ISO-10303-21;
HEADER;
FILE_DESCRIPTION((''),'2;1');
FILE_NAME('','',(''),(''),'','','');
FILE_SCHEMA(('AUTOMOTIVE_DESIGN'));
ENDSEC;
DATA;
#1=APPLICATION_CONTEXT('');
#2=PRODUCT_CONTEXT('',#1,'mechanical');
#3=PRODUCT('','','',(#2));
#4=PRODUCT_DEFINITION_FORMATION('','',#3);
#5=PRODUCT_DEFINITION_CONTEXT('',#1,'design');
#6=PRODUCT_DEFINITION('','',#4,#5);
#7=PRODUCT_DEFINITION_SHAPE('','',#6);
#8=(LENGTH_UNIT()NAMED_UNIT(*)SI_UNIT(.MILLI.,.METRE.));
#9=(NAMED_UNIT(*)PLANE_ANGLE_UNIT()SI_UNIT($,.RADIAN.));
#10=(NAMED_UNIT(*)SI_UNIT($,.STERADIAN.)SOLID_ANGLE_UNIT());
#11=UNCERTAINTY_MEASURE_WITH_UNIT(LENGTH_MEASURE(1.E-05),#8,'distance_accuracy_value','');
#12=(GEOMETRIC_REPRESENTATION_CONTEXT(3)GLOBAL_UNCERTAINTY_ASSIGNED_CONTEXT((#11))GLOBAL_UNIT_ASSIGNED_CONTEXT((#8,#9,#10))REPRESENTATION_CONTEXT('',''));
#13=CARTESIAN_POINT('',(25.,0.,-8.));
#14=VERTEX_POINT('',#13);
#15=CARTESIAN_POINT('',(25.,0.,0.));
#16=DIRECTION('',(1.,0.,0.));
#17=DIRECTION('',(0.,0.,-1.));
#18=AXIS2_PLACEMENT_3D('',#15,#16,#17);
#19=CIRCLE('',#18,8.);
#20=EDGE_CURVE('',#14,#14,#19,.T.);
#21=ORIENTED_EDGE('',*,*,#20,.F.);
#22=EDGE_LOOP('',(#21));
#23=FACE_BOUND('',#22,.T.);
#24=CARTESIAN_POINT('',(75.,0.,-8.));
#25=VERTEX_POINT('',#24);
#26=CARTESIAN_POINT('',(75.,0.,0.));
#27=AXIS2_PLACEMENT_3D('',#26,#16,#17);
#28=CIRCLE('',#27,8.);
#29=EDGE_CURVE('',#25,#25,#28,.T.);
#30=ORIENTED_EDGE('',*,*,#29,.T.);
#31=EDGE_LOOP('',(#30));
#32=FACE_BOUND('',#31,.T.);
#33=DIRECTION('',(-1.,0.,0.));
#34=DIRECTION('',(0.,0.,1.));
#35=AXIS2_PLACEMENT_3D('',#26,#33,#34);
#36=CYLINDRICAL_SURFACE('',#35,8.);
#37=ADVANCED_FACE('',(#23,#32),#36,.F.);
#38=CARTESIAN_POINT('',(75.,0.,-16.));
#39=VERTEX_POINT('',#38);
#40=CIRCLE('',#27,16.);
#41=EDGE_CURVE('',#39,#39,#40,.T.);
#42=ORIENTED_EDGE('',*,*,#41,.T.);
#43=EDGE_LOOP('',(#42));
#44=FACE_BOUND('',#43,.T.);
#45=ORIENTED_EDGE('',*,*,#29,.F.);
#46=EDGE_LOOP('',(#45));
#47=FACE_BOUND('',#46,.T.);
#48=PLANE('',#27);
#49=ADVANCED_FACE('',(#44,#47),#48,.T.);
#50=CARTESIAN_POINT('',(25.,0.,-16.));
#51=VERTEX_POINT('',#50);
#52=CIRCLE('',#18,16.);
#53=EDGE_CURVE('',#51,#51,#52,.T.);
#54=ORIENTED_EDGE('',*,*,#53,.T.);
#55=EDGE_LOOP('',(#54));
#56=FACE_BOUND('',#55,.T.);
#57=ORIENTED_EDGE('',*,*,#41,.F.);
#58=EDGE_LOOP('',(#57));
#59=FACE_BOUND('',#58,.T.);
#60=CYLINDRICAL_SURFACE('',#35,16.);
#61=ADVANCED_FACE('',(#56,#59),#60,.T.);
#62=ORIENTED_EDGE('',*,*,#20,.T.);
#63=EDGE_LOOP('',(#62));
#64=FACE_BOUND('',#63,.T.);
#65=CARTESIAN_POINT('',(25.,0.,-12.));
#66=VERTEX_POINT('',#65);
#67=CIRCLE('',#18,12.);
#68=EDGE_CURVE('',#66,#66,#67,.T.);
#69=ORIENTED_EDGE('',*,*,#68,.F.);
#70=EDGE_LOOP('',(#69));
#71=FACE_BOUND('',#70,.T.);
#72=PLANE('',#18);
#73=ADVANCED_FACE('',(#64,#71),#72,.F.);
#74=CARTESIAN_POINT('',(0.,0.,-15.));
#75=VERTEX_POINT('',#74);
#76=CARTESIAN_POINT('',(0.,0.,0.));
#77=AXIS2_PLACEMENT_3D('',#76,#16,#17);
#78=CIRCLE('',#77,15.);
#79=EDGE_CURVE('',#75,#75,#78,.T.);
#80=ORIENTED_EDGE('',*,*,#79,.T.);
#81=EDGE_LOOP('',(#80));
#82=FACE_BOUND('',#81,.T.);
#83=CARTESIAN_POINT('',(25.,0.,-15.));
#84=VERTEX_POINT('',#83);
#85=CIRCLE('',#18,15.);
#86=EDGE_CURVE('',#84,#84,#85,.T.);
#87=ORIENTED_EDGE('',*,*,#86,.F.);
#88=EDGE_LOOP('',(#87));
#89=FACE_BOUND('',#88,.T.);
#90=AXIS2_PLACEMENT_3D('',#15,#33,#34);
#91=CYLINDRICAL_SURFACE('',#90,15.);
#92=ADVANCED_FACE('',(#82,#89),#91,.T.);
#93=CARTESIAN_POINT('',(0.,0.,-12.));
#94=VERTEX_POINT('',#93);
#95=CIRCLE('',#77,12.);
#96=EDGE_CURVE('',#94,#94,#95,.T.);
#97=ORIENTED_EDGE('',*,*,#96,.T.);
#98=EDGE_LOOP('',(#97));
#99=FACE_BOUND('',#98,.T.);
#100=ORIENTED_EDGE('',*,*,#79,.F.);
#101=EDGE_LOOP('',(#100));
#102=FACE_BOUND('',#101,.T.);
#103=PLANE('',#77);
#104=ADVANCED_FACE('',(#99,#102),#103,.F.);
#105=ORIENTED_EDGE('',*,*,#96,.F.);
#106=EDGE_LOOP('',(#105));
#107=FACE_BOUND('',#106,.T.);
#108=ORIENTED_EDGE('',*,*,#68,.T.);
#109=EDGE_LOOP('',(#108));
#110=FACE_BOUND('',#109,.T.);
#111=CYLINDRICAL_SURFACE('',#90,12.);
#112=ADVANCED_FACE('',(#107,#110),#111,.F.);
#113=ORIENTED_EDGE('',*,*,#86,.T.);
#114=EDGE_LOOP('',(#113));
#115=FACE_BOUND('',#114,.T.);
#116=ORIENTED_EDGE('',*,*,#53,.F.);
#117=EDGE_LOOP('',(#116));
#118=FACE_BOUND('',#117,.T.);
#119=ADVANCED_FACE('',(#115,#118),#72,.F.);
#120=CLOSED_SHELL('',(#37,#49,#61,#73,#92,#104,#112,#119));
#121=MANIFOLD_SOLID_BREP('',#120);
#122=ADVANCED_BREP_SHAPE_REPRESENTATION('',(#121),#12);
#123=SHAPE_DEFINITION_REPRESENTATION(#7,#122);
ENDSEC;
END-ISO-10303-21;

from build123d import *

# Parameters (mm, degrees)
SKETCH_1_R      = 15
SKETCH_1_R_2    = 12
EXTRUDE_1_DEPTH = 25
SKETCH_2_R      = 16
SKETCH_2_R_2    = 8
EXTRUDE_2_DEPTH = 50


with BuildPart() as part:
    # 草图1 → 凸台-拉伸1 (new body)
    with BuildSketch(Plane(origin=(0, 0, 0), x_dir=(0, 0, -1), z_dir=(1, 0, 0))):
        Circle(SKETCH_1_R)
        Circle(SKETCH_1_R_2, mode=Mode.SUBTRACT)
    extrude(amount=EXTRUDE_1_DEPTH)

    # 草图2 → 凸台-拉伸2 (add)
    with BuildSketch(Plane(origin=(25, 0, 0), x_dir=(0, 0, -1), z_dir=(1, 0, 0))):
        Circle(SKETCH_2_R)
        Circle(SKETCH_2_R_2, mode=Mode.SUBTRACT)
    extrude(amount=EXTRUDE_2_DEPTH)


solid = part.part
